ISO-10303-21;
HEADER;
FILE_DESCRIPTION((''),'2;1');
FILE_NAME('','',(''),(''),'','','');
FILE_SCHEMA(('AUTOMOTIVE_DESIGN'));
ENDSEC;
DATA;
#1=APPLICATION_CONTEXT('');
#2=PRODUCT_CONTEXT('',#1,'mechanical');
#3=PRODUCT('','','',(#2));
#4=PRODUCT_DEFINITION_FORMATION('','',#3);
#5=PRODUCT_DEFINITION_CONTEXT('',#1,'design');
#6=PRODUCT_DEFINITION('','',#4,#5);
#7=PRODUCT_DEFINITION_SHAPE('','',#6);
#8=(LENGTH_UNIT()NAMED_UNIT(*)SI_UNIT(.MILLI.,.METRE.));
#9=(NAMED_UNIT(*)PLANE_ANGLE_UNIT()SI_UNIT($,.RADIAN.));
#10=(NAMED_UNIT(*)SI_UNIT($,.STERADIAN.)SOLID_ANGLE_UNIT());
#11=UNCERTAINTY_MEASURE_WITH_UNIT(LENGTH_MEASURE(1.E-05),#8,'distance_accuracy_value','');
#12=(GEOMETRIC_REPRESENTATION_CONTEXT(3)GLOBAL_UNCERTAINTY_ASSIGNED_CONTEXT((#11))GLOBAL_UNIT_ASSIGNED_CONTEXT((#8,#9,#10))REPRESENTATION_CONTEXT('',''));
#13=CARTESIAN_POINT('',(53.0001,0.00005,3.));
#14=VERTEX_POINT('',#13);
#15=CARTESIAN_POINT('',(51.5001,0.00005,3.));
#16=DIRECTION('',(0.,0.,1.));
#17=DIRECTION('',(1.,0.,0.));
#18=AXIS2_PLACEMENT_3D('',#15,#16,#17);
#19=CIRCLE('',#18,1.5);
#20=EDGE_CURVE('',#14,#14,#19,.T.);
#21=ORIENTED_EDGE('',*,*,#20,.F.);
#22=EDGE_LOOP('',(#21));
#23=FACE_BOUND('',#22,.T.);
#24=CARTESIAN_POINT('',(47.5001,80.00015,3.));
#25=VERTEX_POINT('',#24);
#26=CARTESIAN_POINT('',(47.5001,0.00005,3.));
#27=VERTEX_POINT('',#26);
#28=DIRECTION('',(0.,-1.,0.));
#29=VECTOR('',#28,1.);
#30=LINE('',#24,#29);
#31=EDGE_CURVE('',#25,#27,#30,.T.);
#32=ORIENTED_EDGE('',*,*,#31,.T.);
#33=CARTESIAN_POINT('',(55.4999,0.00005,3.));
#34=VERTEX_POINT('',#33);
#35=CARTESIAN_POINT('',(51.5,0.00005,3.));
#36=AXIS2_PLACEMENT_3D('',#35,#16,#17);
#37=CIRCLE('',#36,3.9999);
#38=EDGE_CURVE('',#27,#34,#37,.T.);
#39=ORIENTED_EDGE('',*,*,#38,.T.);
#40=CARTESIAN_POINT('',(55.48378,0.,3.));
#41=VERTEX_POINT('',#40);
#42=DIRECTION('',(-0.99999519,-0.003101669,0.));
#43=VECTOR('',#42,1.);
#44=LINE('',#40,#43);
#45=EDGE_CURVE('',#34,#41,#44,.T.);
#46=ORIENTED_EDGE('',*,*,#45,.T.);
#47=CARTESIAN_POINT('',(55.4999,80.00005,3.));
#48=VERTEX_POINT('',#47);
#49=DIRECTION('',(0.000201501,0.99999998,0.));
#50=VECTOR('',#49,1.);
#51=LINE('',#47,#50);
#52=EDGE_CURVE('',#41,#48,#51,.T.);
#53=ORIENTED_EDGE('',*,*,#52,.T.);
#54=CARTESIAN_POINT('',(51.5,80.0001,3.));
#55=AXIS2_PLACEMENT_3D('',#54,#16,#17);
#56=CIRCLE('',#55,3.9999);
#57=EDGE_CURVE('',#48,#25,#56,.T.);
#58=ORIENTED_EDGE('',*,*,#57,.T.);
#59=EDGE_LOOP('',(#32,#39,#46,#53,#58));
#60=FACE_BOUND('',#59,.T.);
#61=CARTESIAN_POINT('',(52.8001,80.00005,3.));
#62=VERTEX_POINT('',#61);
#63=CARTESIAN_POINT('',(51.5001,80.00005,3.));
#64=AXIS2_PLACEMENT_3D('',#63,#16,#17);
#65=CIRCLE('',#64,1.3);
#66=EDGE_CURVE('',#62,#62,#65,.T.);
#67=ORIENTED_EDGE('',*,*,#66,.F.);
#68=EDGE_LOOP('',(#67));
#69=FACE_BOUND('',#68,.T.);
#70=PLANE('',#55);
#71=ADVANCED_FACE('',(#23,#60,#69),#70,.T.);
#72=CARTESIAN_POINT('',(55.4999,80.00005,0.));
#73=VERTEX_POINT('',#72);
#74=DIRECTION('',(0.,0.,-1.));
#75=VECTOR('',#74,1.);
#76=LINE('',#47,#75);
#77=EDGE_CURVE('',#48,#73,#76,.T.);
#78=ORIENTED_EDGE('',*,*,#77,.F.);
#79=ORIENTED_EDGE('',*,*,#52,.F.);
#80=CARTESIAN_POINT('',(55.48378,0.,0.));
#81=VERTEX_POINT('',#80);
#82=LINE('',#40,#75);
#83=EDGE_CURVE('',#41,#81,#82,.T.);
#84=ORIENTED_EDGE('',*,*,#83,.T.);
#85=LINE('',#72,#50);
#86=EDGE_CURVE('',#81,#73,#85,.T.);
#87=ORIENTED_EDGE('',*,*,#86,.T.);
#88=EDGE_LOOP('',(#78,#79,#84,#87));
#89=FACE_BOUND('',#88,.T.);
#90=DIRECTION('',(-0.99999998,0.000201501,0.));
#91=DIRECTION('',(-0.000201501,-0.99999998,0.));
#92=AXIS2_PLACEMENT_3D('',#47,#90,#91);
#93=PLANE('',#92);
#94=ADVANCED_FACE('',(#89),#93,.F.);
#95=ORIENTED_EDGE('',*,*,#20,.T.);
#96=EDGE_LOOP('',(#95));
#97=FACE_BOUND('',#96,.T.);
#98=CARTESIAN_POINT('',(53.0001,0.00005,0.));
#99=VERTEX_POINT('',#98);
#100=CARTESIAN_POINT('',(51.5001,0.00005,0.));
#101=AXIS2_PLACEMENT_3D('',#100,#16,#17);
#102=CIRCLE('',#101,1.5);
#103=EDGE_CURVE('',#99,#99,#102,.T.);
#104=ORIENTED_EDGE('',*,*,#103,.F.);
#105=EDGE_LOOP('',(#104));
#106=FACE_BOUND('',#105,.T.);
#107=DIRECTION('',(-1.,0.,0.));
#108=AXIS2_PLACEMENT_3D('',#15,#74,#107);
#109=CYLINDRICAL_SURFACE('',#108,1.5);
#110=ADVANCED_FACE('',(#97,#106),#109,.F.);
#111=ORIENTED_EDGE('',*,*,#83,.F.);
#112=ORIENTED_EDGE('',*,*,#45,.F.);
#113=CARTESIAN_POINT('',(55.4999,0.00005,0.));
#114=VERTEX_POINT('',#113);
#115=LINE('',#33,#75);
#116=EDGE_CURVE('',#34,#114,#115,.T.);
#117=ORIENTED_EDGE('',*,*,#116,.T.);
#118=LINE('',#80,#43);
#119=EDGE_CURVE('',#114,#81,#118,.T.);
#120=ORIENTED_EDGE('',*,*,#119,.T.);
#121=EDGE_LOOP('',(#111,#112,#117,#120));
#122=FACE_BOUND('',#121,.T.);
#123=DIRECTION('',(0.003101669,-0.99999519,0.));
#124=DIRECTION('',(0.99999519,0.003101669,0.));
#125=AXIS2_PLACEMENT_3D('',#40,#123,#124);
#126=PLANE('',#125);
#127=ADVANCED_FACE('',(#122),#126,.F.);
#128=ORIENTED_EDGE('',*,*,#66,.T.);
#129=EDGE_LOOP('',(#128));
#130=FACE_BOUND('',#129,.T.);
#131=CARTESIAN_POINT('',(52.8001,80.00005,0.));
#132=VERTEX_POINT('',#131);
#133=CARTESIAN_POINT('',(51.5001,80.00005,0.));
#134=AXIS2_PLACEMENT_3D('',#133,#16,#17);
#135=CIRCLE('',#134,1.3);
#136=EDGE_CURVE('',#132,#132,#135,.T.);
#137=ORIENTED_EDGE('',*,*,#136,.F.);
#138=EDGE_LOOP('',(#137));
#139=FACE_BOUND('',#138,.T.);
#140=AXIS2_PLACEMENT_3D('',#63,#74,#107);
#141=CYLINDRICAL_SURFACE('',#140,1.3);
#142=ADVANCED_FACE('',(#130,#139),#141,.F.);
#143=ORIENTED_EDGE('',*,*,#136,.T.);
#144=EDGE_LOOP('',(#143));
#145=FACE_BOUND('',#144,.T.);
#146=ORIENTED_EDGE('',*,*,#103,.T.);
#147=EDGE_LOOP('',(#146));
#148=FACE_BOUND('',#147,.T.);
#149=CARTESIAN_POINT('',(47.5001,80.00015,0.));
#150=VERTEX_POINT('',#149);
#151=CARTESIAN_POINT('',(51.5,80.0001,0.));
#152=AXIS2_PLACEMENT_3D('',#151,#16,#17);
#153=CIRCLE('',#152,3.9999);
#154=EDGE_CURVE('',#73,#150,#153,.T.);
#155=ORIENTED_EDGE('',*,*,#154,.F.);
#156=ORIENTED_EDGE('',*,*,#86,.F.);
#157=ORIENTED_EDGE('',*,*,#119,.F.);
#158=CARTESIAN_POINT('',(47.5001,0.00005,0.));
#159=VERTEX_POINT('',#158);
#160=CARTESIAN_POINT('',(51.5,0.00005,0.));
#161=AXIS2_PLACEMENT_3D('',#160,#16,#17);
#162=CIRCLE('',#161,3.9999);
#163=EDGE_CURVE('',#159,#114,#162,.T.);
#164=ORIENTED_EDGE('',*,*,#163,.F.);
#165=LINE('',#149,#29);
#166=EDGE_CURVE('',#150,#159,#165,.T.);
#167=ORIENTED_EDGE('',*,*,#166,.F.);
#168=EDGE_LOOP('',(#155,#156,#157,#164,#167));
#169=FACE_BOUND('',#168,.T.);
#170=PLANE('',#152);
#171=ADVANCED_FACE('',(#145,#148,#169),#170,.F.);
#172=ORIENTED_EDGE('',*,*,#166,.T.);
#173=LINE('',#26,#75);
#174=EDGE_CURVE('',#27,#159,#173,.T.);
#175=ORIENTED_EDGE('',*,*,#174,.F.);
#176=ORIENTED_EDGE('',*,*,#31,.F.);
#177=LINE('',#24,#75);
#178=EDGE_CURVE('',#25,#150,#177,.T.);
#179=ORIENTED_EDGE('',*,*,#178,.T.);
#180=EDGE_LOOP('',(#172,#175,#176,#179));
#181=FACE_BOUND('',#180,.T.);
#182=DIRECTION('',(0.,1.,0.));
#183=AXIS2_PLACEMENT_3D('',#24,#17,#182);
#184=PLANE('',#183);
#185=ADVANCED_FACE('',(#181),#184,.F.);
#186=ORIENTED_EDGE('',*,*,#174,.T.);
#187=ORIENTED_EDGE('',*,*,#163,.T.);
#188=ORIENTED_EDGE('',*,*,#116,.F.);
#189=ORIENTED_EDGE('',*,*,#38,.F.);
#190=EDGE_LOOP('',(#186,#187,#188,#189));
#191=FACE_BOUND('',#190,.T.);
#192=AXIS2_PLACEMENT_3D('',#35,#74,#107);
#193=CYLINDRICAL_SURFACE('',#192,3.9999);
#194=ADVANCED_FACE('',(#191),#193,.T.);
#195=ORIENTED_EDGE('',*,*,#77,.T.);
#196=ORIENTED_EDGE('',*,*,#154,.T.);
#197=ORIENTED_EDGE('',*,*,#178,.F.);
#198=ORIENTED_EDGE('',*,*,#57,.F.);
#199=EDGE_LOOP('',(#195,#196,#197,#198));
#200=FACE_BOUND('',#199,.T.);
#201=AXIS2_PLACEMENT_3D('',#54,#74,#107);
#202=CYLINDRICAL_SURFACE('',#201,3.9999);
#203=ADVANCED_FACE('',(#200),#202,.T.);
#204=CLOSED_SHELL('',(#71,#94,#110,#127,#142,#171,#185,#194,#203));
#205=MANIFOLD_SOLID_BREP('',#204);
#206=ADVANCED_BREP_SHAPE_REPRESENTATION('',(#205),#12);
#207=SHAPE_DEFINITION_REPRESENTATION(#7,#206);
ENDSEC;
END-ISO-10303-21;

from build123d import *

# Parameters (mm, degrees)
MODEL_R             = 1.5
MODEL_R_2           = 1.3
BOSS_EXTRUDE1_DEPTH = 3


with BuildPart() as part:
    # Model → Boss-Extrude1 (new body)
    with BuildSketch(Plane.XY):
        with BuildLine():
            Line((47.500099999, 80.00015), (47.500099999, 4.9999e-05))
            ThreePointArc((47.500099999, 4.9999e-05), (51.499999999, -3.99985), (55.499899998, 4.9999e-05))
            Line((55.499899998, 4.9999e-05), (55.483779921, 0))
            Line((55.483779921, 0), (55.499899998, 80.000050001))
            ThreePointArc((55.499899998, 80.000050001), (51.500049998, 84), (47.500099999, 80.00015))
        make_face()
        with Locations((51.500099998, 4.9998e-05)):
            Circle(MODEL_R, mode=Mode.SUBTRACT)
        with Locations((51.500099998, 80.000049998)):
            Circle(MODEL_R_2, mode=Mode.SUBTRACT)
    extrude(amount=BOSS_EXTRUDE1_DEPTH)


solid = part.part
